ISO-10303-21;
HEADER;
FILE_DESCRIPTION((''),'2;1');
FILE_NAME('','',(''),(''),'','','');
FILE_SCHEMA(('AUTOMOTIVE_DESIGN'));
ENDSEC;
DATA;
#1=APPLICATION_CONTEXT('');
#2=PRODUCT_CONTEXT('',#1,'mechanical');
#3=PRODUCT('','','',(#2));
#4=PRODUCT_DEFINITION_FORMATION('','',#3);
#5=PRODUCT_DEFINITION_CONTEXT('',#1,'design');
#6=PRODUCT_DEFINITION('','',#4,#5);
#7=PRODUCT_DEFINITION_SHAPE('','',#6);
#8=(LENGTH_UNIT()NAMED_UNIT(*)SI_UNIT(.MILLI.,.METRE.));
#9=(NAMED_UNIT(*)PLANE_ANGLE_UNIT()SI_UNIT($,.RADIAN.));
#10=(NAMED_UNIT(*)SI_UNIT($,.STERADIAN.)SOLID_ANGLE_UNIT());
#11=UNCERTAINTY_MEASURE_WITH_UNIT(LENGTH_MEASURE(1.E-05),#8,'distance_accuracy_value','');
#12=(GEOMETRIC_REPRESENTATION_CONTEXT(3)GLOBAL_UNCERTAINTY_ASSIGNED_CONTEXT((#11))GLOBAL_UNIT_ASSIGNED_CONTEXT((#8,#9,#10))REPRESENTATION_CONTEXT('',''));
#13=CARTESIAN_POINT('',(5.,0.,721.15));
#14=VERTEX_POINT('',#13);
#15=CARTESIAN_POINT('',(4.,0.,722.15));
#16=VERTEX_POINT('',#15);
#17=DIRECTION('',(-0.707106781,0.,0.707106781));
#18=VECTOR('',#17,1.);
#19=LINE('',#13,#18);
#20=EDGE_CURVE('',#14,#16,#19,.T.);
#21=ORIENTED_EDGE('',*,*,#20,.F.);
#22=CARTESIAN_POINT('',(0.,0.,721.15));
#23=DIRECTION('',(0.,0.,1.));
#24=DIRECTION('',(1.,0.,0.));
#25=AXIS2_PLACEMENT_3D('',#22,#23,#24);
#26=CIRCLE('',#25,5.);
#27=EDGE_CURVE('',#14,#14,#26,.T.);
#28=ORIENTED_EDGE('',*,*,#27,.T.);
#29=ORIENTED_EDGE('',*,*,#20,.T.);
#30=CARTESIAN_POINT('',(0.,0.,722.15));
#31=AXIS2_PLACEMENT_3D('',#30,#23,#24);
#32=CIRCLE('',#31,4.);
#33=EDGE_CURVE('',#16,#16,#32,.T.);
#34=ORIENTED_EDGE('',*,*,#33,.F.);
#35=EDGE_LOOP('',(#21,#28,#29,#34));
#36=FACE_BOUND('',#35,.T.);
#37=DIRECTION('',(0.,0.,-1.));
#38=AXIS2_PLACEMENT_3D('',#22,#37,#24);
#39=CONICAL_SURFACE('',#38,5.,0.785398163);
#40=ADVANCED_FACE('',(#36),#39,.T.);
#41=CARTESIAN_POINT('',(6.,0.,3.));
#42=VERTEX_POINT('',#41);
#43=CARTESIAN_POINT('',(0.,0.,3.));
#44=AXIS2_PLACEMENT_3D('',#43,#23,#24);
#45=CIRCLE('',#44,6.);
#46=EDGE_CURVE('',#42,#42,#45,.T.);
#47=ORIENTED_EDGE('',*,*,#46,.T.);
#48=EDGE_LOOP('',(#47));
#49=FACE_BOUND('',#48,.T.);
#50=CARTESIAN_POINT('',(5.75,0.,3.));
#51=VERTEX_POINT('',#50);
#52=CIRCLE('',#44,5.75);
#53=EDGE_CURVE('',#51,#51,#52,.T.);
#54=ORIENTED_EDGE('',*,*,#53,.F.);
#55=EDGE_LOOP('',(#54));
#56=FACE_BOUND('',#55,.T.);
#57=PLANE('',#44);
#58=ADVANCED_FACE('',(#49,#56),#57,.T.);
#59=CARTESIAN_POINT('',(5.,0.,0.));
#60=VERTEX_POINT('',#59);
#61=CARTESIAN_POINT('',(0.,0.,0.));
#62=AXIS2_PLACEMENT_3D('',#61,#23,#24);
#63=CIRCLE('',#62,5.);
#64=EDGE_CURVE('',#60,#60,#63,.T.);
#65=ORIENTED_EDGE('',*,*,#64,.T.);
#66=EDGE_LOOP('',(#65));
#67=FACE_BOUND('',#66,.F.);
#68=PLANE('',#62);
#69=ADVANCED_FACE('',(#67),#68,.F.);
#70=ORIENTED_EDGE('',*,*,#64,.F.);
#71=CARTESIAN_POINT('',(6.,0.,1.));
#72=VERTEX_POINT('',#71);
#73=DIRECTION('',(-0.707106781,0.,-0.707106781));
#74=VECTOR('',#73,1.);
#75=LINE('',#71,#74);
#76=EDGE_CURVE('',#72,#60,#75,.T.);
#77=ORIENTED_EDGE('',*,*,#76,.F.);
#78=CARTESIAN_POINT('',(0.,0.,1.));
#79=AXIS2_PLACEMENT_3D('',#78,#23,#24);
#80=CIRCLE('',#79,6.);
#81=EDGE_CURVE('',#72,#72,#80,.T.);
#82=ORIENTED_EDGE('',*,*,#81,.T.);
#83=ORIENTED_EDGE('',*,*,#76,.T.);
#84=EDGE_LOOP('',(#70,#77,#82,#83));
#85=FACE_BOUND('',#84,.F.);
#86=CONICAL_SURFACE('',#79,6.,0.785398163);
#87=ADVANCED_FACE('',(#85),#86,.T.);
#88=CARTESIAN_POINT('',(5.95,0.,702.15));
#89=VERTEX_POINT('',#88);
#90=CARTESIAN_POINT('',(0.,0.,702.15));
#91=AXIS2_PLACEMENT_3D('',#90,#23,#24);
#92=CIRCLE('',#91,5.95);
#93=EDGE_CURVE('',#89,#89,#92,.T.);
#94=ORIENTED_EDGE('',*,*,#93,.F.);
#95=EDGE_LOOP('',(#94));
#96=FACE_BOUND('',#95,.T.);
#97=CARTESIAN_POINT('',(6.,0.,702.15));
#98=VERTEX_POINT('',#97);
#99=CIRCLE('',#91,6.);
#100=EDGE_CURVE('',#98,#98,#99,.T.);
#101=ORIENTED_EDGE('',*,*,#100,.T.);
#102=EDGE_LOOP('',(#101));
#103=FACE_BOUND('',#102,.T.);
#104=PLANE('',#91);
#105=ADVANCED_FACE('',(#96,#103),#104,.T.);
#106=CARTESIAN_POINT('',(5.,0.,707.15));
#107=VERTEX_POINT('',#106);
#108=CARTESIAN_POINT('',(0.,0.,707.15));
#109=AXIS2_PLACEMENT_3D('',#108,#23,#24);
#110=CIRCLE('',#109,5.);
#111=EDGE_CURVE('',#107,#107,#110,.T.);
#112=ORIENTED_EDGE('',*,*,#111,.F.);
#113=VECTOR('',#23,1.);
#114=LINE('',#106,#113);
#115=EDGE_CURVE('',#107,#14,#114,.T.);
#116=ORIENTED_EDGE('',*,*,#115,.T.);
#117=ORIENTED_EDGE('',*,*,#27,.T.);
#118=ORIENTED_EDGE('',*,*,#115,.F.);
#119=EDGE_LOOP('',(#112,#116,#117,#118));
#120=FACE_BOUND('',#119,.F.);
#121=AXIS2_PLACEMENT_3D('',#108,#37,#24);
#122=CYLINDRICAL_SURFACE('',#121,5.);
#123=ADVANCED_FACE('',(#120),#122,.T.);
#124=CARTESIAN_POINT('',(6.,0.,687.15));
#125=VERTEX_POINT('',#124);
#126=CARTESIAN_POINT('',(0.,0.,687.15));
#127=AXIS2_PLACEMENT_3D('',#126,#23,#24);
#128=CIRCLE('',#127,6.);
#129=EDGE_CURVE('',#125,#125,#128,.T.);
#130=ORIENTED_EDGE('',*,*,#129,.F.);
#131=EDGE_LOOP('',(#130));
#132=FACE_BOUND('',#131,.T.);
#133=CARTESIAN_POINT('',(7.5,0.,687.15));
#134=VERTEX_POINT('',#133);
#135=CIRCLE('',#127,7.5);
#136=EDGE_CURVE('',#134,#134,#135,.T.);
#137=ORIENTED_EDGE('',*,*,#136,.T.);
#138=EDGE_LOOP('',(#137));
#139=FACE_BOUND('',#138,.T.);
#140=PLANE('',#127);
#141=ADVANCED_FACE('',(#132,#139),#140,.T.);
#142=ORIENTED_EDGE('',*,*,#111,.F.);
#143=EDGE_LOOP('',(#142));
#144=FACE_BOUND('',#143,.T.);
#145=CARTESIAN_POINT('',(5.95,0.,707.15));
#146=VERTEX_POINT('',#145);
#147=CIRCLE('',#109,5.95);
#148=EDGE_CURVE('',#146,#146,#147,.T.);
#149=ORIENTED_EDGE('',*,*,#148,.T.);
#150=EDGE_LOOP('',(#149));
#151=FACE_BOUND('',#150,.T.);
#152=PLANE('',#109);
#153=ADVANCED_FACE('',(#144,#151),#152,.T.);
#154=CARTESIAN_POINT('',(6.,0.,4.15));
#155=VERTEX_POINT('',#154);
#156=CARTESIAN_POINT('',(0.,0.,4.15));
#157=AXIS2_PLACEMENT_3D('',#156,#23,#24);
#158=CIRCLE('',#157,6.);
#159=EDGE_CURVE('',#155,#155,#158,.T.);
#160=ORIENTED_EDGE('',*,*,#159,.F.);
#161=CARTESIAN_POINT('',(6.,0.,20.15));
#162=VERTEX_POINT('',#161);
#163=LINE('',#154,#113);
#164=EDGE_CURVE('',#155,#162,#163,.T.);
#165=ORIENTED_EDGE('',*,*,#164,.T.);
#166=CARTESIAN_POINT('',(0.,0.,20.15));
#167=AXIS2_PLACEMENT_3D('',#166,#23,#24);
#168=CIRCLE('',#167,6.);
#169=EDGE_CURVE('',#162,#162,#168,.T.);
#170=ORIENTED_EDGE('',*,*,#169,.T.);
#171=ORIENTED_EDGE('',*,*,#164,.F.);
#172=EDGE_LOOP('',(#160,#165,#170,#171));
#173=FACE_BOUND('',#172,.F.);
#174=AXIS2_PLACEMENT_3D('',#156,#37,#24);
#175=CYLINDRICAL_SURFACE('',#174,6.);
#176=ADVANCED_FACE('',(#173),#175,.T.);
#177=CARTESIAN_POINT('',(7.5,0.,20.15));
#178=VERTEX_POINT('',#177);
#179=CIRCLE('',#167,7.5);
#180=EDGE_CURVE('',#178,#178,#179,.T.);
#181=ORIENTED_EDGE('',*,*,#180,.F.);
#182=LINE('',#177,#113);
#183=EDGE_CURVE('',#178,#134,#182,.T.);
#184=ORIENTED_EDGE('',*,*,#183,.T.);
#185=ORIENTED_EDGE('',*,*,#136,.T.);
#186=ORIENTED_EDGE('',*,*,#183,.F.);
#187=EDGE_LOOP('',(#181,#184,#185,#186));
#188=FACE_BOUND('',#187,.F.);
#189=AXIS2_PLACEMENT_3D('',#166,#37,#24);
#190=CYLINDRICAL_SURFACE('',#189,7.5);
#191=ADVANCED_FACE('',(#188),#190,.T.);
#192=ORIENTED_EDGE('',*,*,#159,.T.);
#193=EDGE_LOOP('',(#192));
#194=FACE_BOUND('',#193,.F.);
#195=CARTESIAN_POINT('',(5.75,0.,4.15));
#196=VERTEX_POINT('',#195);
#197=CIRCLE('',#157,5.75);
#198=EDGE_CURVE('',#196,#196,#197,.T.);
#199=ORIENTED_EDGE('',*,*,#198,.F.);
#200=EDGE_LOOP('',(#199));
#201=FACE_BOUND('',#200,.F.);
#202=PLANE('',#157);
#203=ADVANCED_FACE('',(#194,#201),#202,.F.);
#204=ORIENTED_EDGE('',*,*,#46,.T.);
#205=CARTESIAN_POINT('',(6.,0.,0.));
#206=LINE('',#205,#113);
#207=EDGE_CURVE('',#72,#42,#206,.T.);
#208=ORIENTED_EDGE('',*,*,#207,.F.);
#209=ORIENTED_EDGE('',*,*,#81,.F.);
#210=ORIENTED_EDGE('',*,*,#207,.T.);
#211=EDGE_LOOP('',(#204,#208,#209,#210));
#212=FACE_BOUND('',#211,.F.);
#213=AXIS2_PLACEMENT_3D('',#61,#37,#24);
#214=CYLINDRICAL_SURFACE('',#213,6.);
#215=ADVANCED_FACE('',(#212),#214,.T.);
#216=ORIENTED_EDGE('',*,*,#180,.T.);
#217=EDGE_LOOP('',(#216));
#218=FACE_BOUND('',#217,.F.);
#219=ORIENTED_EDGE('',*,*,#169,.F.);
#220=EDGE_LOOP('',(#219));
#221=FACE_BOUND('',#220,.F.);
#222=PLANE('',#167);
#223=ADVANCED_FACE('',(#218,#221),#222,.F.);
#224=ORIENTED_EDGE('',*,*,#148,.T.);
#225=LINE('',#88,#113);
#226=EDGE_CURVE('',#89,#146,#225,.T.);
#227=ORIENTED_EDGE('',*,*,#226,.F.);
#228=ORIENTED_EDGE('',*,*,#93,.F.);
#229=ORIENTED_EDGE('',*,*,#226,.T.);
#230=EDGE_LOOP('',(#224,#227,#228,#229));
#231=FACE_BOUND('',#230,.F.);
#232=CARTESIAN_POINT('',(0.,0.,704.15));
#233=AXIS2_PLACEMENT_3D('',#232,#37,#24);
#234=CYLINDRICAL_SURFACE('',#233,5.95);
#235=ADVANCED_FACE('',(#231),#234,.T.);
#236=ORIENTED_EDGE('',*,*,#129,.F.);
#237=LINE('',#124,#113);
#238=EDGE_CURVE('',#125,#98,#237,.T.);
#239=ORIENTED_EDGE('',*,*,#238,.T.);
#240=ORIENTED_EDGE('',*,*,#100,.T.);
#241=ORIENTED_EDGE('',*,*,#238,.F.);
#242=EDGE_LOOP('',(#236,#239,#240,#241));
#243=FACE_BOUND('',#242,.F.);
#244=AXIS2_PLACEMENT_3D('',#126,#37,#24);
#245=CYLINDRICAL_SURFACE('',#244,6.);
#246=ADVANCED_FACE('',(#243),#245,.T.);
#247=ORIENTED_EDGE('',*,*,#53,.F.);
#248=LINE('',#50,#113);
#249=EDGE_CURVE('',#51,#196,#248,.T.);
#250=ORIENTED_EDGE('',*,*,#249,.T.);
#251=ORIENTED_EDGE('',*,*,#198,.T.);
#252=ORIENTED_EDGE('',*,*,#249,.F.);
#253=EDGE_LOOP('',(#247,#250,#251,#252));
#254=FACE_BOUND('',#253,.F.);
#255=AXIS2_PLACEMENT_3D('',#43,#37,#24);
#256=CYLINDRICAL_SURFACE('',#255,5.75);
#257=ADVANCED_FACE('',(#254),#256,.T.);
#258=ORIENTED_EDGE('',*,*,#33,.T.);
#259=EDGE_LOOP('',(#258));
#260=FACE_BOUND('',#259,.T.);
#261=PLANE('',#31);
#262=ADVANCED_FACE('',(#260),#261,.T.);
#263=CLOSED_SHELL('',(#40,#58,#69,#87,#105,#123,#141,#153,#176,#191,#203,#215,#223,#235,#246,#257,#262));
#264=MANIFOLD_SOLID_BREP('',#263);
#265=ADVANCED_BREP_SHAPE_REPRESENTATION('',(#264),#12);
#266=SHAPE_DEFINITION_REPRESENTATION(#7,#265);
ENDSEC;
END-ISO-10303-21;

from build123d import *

# Parameters (mm, degrees)
F0_R      = 6
F1_DEPTH  = 3
F2_R      = 5.75
F3_DEPTH  = 1.15
F4_R      = 6
F4_R_2    = 5.75
F5_DEPTH  = 16
F6_R      = 7.5
F6_R_2    = 6
F7_DEPTH  = 667
F8_R      = 6
F9_DEPTH  = 15
F10_R     = 5.95
F11_DEPTH = 2
F12_R     = 5.95
F13_DEPTH = 3
F14_R     = 5
F15_DEPTH = 15
F16_SIZE  = 1


with BuildPart() as f1:
    # F0 (on Top) → F1 (new body)
    with BuildSketch(Plane.XY):
        Circle(F0_R)
    extrude(amount=F1_DEPTH)

    # F2 (on face) → F3 (join)
    with BuildSketch(Plane.XY.offset(3)):
        Circle(F2_R)
    extrude(amount=F3_DEPTH)

    # F4 (on face) → F5 (join)
    with BuildSketch(Plane.XY.offset(4.15)):
        Circle(F4_R)
        Circle(F4_R_2, mode=Mode.SUBTRACT)
        Circle(F4_R_2)
    extrude(amount=F5_DEPTH)

    # F6 (on face) → F7 (join)
    with BuildSketch(Plane.XY.offset(20.15)):
        Circle(F6_R)
        Circle(F6_R_2, mode=Mode.SUBTRACT)
        Circle(F6_R_2)
    extrude(amount=F7_DEPTH)

    # F8 (on face) → F9 (join)
    with BuildSketch(Plane.XY.offset(687.15)):
        Circle(F8_R)
    extrude(amount=F9_DEPTH)

    # F10 (on face) → F11 (join)
    with BuildSketch(Plane.XY.offset(702.15)):
        Circle(F10_R)
    extrude(amount=F11_DEPTH)

    # F12 (on face) → F13 (join)
    with BuildSketch(Plane.XY.offset(704.15)):
        Circle(F12_R)
    extrude(amount=F13_DEPTH)

    # F14 (on face) → F15 (join)
    with BuildSketch(Plane.XY.offset(707.15)):
        Circle(F14_R)
    extrude(amount=F15_DEPTH)

    # F16
    f16_edges = [f1.edges().sort_by_distance(p)[0] for p in [
        (-5, 0, 722.15),
        (-6, 0, 0),
    ]]
    chamfer(f16_edges, length=F16_SIZE)


solid = f1.part
